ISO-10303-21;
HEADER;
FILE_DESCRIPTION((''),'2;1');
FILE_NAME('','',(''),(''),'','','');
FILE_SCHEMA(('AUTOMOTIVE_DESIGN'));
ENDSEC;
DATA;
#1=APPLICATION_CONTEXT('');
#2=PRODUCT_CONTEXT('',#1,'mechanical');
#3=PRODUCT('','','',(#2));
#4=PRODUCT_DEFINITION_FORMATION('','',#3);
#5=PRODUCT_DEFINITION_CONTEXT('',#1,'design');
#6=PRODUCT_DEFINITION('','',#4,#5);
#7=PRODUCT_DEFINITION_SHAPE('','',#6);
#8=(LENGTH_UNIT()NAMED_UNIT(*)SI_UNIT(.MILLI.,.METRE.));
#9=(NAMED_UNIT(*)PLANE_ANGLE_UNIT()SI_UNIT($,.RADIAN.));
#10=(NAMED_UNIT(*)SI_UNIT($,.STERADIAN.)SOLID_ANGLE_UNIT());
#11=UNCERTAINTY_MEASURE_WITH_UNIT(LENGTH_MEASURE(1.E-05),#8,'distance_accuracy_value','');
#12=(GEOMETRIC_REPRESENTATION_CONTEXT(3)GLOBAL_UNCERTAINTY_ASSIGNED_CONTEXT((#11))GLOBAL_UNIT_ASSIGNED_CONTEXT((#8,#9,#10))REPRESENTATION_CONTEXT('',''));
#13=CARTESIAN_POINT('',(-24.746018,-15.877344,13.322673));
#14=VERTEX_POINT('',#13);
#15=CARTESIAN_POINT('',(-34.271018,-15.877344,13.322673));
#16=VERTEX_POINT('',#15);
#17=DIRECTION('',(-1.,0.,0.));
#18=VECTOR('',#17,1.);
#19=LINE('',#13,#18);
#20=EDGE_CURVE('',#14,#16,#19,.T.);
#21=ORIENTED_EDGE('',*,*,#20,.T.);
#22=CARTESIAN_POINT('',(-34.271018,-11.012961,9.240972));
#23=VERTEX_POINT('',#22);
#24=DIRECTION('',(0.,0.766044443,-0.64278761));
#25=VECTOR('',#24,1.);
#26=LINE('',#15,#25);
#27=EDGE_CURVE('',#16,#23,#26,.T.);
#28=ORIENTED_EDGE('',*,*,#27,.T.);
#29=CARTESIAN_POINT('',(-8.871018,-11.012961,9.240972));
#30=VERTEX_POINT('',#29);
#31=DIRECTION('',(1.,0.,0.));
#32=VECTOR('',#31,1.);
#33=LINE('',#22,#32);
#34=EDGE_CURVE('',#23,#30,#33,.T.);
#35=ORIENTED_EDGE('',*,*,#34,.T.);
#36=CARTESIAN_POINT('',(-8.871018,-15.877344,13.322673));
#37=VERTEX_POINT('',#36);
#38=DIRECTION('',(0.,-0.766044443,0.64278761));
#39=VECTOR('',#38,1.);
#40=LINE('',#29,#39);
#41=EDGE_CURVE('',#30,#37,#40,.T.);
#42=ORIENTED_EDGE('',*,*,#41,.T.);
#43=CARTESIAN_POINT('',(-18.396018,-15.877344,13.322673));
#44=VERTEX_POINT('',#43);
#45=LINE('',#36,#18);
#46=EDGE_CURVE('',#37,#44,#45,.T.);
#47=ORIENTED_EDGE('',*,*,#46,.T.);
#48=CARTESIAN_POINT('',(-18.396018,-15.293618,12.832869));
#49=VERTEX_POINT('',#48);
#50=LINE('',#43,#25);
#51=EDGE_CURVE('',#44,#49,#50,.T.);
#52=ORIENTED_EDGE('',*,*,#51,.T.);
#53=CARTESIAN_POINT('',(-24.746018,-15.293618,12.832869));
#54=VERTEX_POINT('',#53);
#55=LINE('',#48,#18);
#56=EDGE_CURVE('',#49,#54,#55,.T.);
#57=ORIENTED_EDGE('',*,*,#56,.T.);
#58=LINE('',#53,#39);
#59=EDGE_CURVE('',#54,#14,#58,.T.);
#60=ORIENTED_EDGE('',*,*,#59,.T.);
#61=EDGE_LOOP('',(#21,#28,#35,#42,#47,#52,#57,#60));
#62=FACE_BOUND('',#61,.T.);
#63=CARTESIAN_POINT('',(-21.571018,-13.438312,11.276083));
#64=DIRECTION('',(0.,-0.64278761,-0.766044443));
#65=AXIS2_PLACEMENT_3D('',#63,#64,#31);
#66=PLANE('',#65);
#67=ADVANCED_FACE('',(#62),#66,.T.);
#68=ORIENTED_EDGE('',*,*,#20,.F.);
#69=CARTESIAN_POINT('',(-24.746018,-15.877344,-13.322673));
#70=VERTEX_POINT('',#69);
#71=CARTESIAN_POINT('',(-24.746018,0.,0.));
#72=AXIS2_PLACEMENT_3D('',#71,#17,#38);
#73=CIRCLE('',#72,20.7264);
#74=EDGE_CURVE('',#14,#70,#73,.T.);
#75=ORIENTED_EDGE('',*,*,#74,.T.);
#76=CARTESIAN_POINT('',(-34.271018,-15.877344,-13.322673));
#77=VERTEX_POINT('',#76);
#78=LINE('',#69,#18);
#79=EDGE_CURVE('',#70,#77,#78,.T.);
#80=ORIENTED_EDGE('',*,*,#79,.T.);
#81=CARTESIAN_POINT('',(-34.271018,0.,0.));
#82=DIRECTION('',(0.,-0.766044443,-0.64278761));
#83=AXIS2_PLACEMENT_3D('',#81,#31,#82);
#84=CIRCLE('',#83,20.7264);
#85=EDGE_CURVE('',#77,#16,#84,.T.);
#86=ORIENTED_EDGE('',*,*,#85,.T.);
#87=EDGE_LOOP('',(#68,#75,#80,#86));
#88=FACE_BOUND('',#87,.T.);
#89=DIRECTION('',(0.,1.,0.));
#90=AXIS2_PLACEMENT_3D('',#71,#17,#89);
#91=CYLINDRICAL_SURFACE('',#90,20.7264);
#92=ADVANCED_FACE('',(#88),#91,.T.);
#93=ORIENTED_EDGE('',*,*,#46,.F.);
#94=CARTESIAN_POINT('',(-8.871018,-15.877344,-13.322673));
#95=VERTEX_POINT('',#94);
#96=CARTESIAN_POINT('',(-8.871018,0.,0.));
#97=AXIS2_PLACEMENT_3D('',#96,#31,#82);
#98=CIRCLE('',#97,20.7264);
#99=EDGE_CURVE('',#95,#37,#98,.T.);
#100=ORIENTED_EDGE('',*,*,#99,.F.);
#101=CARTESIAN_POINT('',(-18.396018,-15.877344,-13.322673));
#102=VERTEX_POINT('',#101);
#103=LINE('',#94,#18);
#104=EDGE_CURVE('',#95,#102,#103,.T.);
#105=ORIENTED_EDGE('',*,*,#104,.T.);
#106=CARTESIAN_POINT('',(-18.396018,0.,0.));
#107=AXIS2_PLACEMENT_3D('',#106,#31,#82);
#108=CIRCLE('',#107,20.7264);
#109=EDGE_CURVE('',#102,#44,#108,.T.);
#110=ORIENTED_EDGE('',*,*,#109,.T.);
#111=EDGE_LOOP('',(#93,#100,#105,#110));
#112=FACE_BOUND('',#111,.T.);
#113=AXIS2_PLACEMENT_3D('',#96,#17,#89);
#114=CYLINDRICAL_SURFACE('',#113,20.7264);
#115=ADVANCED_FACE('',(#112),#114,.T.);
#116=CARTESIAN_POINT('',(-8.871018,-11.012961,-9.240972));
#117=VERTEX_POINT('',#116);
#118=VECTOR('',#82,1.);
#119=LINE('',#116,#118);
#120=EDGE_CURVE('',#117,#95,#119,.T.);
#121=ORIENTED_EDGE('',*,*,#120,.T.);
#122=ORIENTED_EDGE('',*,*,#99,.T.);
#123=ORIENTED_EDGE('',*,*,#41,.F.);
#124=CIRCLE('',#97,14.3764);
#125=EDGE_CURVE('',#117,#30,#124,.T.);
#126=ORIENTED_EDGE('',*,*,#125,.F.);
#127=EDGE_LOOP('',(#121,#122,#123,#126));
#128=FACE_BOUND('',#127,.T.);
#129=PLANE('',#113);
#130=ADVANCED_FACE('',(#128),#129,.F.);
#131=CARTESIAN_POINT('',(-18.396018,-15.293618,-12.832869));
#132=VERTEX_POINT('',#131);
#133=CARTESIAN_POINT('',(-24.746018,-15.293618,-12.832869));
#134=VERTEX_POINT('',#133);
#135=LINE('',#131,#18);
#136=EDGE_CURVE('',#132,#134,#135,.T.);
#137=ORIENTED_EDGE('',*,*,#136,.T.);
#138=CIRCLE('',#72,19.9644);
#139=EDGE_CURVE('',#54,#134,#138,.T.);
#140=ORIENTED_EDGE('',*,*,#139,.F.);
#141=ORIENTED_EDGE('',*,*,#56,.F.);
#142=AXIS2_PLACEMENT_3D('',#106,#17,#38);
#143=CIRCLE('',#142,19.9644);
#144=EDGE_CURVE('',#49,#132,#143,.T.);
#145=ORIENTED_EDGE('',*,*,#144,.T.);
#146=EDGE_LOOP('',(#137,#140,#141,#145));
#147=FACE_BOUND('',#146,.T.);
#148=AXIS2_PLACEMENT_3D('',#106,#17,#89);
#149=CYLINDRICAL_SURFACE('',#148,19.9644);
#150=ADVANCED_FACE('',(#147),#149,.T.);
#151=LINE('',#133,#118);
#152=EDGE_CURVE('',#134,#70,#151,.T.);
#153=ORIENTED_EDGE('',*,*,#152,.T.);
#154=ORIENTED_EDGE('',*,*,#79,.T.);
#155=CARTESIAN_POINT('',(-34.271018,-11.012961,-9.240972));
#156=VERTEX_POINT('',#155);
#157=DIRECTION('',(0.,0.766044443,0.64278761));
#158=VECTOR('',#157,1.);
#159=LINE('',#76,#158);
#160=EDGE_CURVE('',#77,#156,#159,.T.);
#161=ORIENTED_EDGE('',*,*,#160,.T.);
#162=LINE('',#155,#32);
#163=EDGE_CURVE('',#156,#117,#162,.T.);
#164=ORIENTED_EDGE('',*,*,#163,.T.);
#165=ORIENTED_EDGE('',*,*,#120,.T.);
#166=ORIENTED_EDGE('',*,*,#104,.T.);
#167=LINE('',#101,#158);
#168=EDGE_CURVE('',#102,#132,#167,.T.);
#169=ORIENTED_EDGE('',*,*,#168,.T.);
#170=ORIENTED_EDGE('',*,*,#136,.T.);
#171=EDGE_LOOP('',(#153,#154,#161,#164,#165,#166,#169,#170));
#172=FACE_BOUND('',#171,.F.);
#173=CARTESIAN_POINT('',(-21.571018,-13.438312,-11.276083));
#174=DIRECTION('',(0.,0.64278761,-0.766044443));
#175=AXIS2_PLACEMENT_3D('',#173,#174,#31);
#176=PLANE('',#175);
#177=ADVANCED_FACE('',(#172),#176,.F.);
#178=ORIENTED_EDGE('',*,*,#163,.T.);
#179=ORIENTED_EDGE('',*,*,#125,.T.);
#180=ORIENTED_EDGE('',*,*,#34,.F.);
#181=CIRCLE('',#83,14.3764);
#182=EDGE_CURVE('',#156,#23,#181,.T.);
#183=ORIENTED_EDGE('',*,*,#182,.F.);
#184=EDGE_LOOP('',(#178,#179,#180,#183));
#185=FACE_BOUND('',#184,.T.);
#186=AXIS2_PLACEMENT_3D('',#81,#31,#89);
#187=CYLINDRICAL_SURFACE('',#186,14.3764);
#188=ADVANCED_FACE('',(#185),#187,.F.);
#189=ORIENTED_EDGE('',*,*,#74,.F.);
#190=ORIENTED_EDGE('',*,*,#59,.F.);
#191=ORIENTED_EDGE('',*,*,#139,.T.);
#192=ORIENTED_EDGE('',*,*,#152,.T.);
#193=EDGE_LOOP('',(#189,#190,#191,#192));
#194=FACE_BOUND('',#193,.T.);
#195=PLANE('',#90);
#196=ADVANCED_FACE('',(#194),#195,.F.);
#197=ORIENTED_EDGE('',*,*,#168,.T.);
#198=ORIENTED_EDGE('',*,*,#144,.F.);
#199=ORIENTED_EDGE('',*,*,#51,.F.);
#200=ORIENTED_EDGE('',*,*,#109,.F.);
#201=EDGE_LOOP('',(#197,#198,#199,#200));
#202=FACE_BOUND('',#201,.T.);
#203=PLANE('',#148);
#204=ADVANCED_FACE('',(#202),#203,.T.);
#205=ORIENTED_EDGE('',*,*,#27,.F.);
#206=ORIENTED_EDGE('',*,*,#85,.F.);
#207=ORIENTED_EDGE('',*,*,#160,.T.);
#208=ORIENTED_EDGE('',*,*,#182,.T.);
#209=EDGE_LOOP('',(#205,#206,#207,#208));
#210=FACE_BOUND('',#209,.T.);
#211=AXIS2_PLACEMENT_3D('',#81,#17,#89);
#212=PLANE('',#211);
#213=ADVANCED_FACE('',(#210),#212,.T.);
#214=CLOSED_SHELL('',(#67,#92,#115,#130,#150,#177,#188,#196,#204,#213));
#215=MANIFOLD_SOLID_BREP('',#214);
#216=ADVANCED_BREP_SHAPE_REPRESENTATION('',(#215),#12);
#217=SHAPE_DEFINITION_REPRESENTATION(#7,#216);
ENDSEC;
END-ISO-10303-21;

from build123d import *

# Parameters (mm, degrees)
F1_ANGLE = 280


with BuildPart() as f1:
    # F0 (on Top) → F1 (revolve, symmetric)
    with BuildSketch(Plane.XY) as f1_sk:
        Polygon((-24.746018, 20.7264), (-34.271018, 20.7264), (-34.271018, 14.3764), (-8.871018, 14.3764), (-8.871018, 20.7264), (-18.396018, 20.7264), (-18.396018, 19.9644), (-24.746018, 19.9644), align=None)
    revolve(axis=Axis((-0.871302, 0, 0), (1, 0, 0)), revolution_arc=F1_ANGLE / 2)
    revolve(f1_sk.sketch, axis=Axis((-0.871302, 0, 0), (-1, 0, 0)), revolution_arc=F1_ANGLE / 2)


solid = f1.part
